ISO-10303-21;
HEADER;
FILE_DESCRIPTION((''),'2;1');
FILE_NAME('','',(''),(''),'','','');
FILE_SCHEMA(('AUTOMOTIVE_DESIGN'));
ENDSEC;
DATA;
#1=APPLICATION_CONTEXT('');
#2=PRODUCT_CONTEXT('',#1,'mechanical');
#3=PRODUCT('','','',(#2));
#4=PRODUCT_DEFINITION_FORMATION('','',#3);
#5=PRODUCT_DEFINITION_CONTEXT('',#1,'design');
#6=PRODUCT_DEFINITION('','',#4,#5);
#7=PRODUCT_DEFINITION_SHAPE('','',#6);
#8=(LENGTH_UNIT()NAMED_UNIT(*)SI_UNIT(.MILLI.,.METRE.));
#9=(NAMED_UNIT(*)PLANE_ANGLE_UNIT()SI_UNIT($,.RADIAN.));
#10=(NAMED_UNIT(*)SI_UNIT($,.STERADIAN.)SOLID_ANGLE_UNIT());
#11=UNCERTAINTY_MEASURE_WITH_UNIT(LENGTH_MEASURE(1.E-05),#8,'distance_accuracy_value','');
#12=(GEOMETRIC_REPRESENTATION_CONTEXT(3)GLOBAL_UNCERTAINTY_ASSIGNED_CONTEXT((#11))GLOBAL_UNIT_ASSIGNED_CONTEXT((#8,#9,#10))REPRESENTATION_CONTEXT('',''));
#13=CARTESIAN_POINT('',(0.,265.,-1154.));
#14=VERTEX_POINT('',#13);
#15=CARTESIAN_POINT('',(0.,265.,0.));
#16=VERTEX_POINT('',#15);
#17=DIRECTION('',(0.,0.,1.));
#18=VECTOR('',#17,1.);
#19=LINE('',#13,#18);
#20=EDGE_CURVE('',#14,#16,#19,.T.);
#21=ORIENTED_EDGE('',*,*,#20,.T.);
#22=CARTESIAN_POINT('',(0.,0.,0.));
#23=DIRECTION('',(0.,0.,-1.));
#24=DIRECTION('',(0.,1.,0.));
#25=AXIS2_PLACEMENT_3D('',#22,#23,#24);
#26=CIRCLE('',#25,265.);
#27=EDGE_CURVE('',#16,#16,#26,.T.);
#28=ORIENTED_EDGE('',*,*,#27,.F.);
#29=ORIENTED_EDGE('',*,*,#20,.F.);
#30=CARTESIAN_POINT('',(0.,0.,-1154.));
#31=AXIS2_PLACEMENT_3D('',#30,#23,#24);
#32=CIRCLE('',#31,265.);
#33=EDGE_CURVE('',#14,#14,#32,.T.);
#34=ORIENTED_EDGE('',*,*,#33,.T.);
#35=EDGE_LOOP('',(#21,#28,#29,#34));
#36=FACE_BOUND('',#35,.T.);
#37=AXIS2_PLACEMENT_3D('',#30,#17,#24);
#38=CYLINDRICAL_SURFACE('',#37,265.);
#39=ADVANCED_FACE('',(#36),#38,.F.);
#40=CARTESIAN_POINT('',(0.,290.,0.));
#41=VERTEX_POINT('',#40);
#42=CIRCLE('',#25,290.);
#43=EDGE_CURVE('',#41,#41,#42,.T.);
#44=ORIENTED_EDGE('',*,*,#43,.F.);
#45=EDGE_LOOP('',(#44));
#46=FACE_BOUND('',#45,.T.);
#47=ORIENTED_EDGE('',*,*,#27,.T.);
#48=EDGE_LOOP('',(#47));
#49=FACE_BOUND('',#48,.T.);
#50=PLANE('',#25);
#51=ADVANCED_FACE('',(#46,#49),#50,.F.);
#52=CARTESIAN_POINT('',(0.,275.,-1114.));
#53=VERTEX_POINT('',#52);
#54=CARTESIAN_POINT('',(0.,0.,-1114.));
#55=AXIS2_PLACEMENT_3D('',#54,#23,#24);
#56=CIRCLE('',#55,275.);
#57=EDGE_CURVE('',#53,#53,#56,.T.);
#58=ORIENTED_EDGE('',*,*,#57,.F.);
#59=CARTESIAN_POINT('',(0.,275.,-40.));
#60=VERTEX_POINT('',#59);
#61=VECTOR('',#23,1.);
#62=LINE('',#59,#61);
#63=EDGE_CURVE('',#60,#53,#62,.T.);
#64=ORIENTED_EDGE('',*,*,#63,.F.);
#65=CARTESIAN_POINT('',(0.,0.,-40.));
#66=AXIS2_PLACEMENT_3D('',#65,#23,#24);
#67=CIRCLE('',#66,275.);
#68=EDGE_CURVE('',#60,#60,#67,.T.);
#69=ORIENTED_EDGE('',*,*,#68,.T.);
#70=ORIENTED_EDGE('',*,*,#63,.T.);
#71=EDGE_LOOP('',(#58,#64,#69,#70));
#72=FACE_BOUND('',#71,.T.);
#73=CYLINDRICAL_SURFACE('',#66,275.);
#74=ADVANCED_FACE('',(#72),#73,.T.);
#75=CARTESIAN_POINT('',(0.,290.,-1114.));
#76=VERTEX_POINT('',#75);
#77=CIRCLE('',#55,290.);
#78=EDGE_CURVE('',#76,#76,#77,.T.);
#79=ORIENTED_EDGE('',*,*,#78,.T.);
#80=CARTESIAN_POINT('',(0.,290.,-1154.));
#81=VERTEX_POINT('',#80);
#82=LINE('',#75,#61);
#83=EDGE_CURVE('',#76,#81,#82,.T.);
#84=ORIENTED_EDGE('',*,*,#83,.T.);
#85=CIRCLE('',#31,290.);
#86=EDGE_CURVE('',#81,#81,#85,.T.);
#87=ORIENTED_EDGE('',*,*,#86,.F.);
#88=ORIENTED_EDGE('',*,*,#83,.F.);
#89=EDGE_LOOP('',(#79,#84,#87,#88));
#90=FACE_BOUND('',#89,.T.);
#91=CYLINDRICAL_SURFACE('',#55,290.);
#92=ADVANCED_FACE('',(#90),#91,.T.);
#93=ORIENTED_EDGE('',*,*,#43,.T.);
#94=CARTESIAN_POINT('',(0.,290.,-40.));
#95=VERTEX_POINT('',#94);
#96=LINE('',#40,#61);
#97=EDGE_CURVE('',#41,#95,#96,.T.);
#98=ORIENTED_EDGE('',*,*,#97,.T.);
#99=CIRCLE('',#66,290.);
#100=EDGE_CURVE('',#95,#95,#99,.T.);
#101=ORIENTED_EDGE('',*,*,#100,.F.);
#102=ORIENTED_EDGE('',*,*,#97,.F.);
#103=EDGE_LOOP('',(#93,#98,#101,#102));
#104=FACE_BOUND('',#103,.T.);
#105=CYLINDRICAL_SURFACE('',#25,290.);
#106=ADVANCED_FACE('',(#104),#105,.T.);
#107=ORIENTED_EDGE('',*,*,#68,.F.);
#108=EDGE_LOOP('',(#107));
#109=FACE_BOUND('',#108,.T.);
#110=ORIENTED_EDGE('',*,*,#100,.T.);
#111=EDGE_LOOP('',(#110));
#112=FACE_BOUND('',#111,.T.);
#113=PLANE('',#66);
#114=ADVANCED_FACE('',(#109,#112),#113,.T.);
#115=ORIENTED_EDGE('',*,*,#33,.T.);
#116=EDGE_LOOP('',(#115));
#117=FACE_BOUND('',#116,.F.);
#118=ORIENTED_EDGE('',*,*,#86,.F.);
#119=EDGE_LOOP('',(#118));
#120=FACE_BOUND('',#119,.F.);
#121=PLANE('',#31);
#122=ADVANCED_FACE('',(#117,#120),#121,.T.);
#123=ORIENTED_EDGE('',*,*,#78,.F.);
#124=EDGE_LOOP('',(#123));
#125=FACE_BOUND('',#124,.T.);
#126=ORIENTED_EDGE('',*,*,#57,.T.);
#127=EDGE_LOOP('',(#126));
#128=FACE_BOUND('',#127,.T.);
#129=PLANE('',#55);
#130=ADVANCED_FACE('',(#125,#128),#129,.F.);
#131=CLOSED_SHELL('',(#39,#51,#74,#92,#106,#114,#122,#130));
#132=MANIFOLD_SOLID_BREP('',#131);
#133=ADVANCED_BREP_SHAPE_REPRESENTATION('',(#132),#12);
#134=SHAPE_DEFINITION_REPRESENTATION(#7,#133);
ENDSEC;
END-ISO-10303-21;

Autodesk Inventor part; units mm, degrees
ref_plane "YZ Plane" through (0, 0, 0) normal (1, 0, 0) x (0, 1, 0)
ref_plane "XZ Plane" through (0, 0, 0) normal (0, 1, 0) x (-1, 0, 0)
ref_plane "XY Plane" through (0, 0, 0) normal (0, 0, 1) x (1, 0, 0)
sketch "Sketch1" plane through (0, 0, 0) normal (1, 0, 0) x (0, 1, 0)
  line L0 (0, 0) -> (0, -1154)
  line L1 (0, -1154) -> (265, -1154)
  line L2 (265, -1154) -> (265, 0)
  line L3 (265, 0) -> (0, 0)
  line L4 (265, 0) -> (290, 0)
  line L5 (290, 0) -> (290, -40)
  line L6 (290, -40) -> (275, -40)
  line L7 (275, -40) -> (275, -1114)
  line L8 (275, -1114) -> (290, -1114)
  line L9 (290, -1114) -> (290, -1154)
  line L10 (265, -1154) -> (290, -1154)
  dimension "d16" = 530
  dimension "d17" = 550
  dimension "d18" = 580
  dimension "d19" = 40
  dimension "d20" = 40
  dimension "d21" = 1154
revolve "Revolution1" add sketch "Sketch1" angle 360 about axis through (0, 0, 0) along (0, 0, -1) contours L4 L5 L6 L7 L8 L9 L10 L2
properties part number "DiscoCorpoTurbina3" material "Steel, Alloy"
